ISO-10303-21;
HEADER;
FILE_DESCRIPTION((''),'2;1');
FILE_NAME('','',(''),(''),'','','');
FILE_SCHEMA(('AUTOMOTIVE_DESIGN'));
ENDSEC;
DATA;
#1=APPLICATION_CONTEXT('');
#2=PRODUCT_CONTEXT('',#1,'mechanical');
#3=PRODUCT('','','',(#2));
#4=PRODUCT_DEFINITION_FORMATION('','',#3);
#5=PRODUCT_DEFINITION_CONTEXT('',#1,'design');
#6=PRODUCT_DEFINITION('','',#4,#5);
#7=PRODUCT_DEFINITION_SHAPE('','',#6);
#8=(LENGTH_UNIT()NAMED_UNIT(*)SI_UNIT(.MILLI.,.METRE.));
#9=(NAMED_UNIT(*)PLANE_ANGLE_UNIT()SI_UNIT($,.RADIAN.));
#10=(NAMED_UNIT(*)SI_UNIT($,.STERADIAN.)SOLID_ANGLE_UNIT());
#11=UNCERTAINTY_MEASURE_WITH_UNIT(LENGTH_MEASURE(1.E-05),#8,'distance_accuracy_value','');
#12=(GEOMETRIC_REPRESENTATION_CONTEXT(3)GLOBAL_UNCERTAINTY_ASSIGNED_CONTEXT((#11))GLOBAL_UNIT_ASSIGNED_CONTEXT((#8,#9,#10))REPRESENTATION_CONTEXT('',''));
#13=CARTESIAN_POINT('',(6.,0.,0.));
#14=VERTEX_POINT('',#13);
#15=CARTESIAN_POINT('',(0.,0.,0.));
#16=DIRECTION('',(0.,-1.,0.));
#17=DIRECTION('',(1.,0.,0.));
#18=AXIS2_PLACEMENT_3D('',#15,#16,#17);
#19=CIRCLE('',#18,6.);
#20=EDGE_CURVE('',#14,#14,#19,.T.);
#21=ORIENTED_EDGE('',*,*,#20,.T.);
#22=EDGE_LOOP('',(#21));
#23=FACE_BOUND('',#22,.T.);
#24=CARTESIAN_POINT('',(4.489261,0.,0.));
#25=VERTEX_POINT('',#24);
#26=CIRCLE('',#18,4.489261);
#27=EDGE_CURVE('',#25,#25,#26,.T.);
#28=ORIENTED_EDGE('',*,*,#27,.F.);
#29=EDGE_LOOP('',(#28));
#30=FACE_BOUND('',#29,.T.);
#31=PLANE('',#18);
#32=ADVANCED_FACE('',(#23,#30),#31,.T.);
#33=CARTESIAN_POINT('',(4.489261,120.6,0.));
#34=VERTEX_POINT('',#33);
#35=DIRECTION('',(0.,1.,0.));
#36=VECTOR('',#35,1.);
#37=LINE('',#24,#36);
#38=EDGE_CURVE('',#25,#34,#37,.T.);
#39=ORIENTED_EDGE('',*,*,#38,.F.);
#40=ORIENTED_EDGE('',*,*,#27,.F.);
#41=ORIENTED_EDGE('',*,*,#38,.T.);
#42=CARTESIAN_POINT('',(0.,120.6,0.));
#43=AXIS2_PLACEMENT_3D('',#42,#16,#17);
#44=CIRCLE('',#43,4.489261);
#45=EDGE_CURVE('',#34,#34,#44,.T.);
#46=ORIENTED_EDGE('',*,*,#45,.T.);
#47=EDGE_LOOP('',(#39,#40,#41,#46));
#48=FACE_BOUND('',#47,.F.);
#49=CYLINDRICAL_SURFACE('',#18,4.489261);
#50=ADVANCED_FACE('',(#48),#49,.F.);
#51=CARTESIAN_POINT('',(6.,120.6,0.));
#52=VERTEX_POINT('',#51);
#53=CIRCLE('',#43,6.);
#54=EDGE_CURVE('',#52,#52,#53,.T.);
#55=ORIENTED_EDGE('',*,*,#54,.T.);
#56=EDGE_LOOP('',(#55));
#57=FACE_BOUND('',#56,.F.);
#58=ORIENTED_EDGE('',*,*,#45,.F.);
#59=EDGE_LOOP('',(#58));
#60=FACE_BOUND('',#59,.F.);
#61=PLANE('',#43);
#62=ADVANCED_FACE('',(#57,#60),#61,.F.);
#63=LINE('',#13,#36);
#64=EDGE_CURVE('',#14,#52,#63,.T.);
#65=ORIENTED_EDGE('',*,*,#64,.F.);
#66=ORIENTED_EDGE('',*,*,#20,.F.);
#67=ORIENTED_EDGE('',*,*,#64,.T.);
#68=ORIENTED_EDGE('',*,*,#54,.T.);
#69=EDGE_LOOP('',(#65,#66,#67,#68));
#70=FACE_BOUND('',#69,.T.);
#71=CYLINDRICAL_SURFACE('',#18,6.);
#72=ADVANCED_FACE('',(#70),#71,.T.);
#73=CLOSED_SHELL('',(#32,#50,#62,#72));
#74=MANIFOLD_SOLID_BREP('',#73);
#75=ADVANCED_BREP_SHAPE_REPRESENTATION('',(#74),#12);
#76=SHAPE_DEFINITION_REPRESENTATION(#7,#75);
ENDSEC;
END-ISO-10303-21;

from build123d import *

# Parameters (mm, degrees)
F0_R     = 5.7
F0_R_2   = 4.7
F1_DEPTH = 120
F2_R     = 6
F2_R_2   = 4.489261
F3_DEPTH = 120.6


with BuildPart() as f1:
    # F0 (on Front) → F1 (new body)
    with BuildSketch(Plane.XZ):
        Circle(F0_R)
        Circle(F0_R_2, mode=Mode.SUBTRACT)
    extrude(amount=-F1_DEPTH)

    # F2 (on Front) → F3 (join)
    with BuildSketch(Plane.XZ):
        Circle(F2_R)
        Circle(F2_R_2, mode=Mode.SUBTRACT)
    extrude(amount=-F3_DEPTH)


solid = f1.part
